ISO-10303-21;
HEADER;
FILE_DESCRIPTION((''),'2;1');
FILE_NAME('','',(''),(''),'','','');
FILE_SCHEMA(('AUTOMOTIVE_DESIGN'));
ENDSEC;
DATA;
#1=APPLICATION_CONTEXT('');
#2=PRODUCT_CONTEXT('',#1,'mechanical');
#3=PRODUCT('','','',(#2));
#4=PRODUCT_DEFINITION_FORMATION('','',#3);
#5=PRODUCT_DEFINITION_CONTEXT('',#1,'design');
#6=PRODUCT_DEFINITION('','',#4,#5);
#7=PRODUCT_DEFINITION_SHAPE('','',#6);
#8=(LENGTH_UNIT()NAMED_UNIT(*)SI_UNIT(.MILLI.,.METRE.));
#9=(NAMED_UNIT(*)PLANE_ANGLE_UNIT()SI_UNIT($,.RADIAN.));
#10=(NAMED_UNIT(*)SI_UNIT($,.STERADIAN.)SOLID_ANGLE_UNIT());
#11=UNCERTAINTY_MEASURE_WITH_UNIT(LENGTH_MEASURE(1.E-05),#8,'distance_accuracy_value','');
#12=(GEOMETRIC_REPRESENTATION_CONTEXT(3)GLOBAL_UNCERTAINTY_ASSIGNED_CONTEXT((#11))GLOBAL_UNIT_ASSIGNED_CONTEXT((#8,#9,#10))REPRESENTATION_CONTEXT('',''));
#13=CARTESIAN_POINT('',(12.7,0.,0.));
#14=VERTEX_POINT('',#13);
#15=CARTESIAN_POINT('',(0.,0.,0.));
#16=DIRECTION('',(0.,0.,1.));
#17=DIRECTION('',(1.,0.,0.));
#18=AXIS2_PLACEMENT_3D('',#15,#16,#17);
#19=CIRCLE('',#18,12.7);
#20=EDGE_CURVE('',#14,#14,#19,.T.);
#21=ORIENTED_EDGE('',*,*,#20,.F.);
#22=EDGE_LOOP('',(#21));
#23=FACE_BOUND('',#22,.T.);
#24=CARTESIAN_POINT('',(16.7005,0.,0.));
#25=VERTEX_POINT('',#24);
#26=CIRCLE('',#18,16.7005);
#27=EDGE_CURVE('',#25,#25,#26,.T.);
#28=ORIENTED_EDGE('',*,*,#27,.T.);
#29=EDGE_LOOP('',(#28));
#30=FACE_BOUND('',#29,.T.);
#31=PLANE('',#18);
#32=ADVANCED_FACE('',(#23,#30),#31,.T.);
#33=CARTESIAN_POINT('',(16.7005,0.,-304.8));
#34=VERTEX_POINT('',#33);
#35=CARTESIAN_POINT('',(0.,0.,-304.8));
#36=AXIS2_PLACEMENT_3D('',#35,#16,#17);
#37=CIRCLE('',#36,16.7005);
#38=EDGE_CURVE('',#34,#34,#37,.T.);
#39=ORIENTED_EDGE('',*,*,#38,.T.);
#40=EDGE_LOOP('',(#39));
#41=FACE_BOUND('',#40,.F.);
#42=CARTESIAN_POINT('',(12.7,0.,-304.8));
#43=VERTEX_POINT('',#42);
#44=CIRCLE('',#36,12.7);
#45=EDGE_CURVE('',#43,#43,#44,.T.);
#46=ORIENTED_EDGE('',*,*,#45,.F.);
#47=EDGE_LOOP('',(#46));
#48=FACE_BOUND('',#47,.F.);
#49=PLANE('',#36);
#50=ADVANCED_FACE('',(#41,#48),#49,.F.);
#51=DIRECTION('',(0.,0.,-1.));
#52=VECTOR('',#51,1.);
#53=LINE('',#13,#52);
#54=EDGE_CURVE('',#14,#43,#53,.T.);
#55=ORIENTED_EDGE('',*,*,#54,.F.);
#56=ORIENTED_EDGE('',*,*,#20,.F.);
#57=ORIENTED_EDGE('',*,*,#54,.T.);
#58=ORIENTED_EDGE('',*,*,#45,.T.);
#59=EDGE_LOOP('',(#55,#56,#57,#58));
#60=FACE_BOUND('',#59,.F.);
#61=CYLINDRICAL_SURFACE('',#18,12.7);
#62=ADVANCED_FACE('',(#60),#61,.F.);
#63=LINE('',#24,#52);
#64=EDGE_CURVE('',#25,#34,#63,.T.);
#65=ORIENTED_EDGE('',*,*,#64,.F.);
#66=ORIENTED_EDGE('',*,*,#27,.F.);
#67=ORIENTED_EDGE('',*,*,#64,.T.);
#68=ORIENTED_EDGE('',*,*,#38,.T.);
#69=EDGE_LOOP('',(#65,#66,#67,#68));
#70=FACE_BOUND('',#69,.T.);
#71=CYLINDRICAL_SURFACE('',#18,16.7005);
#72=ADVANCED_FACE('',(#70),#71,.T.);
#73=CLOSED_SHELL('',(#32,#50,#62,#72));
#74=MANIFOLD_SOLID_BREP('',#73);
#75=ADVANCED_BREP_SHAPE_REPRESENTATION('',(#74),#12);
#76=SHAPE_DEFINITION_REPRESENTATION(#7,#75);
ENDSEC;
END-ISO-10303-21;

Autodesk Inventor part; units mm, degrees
ref_plane "YZ Plane" through (0, 0, 0) normal (1, 0, 0) x (0, 1, 0)
ref_plane "XZ Plane" through (0, 0, 0) normal (0, 1, 0) x (-1, 0, 0)
ref_plane "XY Plane" through (0, 0, 0) normal (0, 0, 1) x (1, 0, 0)
sketch "Sketch1" plane through (0, 0, 0) normal (0, 0, 1) x (1, 0, 0)
  circle A0 centre (0, 0) radius 16.7005
  circle A1 centre (0, 0) radius 12.7
  dimension "d0" = 33.401
  dimension "d1" = 25.4
extrude "Extrusion1" add sketch "Sketch1" against normal blind 304.8
properties part number "Formufit Pipe 1 Inch"
